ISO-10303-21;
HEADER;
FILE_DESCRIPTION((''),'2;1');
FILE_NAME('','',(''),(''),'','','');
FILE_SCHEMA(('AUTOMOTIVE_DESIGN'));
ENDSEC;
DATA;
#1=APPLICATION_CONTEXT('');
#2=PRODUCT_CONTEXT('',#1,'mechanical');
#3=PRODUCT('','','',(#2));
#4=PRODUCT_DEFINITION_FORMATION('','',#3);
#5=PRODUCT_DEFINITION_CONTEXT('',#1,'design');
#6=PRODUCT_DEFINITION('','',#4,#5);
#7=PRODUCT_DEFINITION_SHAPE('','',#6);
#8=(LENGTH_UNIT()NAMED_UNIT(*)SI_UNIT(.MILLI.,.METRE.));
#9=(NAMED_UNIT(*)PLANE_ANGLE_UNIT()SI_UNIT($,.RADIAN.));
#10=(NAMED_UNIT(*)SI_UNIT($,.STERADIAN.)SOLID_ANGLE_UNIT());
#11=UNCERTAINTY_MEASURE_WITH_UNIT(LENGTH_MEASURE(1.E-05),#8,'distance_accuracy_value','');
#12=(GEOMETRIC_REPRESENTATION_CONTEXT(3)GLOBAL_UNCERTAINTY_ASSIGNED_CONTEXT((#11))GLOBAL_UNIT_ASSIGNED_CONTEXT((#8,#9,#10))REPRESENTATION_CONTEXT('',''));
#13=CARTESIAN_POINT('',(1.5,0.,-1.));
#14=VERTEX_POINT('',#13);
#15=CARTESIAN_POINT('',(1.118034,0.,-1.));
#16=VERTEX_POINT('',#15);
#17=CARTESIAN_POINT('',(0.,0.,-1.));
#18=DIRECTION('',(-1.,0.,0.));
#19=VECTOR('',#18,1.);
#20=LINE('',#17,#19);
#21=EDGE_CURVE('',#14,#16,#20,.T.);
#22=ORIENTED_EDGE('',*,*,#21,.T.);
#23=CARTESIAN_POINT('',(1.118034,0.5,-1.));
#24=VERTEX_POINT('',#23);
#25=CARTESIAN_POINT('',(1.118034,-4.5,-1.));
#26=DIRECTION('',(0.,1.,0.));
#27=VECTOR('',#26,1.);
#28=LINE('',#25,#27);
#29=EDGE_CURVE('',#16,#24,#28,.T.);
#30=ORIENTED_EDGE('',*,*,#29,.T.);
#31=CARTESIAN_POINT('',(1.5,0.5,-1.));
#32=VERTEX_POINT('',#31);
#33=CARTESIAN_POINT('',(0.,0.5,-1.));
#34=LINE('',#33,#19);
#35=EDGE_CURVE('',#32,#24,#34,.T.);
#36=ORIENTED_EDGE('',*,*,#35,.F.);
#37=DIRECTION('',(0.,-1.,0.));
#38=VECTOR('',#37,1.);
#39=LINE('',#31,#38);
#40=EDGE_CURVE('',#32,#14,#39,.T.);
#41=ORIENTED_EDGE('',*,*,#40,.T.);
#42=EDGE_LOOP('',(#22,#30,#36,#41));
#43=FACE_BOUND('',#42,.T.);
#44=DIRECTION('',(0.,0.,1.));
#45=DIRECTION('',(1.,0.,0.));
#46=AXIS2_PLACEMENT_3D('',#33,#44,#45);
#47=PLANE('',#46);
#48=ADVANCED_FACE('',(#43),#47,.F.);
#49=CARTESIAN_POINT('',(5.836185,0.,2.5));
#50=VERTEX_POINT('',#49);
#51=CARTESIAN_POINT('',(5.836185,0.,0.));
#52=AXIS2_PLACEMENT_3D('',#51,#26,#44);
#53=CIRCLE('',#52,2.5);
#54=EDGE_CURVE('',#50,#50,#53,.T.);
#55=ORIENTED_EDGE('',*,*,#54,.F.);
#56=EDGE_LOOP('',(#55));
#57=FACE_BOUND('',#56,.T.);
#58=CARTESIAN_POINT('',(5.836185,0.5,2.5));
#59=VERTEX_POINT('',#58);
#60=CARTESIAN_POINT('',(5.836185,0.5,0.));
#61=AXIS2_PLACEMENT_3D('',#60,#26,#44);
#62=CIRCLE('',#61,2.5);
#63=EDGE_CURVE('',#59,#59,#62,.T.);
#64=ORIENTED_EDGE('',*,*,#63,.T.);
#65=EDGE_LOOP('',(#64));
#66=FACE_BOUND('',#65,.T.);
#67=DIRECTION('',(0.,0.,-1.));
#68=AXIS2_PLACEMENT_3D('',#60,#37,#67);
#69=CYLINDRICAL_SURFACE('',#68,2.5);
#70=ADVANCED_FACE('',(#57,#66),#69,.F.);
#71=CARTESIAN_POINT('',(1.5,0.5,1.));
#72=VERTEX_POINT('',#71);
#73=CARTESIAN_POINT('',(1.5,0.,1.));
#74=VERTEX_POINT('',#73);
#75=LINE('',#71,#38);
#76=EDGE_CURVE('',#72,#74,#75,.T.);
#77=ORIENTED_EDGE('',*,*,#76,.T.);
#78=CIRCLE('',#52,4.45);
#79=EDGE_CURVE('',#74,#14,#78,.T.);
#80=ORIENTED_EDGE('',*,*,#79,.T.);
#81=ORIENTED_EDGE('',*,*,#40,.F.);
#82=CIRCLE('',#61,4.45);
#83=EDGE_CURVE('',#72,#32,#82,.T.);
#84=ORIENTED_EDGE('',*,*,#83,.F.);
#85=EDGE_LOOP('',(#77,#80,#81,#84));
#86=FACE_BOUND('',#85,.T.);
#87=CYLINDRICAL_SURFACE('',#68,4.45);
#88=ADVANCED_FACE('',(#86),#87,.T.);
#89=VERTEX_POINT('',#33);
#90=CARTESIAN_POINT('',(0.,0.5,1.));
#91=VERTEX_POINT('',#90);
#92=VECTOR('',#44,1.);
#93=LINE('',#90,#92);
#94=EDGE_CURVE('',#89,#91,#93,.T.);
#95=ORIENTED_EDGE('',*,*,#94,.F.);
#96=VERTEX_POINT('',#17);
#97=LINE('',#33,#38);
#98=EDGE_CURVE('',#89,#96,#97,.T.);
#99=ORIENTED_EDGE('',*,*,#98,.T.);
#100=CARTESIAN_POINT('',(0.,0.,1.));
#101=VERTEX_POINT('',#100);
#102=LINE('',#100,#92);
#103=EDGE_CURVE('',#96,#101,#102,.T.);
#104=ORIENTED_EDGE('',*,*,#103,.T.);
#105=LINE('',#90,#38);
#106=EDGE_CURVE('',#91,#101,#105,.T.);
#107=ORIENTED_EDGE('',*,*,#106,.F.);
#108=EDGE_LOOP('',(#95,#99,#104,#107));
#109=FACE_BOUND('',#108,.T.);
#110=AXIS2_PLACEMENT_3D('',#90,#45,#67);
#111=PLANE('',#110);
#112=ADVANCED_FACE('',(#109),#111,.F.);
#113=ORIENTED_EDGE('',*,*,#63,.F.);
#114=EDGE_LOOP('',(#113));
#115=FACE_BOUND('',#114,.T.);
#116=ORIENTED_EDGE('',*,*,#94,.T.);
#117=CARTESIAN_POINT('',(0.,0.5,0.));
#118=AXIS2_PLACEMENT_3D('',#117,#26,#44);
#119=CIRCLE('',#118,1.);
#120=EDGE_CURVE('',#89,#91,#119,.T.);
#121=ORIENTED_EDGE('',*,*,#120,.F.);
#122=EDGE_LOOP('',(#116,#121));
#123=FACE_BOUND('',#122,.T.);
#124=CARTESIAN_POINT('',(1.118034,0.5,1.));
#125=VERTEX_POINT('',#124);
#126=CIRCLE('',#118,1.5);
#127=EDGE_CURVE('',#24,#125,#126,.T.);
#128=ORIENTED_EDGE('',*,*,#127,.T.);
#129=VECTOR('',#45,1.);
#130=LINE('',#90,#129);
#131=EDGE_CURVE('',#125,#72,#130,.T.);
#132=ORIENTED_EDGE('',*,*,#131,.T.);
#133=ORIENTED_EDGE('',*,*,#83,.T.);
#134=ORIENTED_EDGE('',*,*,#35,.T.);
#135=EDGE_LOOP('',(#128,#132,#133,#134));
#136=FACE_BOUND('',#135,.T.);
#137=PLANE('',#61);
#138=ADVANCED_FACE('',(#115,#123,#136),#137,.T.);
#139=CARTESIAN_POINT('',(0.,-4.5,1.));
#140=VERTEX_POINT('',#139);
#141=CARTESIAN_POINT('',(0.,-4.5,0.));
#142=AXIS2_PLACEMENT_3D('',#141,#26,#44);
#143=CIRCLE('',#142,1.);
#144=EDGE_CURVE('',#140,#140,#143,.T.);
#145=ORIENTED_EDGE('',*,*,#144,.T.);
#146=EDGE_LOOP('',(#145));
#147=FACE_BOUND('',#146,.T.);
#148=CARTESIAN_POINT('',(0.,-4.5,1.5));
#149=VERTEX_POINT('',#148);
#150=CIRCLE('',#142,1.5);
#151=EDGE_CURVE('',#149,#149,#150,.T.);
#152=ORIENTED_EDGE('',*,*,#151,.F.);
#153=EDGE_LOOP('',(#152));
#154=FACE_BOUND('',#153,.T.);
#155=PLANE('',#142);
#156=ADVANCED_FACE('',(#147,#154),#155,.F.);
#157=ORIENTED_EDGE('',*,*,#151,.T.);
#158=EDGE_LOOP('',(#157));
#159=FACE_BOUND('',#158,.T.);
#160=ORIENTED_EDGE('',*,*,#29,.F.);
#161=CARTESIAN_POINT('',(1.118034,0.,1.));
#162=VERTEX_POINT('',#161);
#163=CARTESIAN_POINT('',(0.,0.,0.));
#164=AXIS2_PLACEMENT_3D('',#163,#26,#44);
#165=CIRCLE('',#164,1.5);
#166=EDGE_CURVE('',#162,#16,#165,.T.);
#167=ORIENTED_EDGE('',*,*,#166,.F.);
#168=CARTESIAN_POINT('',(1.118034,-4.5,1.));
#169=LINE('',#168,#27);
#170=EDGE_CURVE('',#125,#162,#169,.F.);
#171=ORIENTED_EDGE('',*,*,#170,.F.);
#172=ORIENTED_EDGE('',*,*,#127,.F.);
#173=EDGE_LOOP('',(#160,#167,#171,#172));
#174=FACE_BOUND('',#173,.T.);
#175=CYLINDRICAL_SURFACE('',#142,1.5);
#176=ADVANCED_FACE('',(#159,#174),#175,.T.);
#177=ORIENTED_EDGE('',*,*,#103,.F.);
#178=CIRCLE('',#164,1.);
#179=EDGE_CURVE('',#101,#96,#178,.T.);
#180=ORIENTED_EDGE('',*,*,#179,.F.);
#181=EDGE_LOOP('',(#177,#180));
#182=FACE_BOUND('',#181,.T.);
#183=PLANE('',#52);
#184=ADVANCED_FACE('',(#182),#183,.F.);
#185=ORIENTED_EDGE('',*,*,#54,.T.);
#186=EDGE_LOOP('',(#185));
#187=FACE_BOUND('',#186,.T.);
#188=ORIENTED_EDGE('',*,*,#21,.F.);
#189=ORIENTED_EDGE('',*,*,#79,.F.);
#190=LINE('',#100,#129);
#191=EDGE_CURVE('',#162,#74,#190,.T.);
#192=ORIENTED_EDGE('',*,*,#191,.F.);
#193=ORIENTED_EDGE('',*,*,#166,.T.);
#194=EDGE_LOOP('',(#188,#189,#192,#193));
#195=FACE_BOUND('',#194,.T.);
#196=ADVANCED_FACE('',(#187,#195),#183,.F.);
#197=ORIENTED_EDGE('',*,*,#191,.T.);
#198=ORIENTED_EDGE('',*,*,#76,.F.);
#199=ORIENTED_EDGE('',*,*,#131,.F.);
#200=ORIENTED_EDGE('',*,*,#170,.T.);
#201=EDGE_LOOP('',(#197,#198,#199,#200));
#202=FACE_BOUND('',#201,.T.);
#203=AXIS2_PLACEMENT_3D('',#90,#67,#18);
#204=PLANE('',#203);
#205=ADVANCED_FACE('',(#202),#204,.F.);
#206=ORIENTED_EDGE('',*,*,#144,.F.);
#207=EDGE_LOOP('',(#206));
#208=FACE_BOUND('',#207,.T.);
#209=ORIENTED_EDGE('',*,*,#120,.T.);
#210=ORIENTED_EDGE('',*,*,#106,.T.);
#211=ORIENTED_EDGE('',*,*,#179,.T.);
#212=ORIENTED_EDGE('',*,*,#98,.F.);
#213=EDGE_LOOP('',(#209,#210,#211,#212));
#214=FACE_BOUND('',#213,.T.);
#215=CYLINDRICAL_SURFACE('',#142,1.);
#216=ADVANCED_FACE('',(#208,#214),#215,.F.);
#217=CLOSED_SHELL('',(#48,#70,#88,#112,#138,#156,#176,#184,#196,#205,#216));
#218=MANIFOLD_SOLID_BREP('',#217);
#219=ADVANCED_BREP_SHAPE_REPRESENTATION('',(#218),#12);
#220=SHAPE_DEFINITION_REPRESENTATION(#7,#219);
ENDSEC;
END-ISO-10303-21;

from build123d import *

# Parameters (mm, degrees)
SKETCH1_R           = 2.5
BOSS_EXTRUDE1_DEPTH = 0.5
SKETCH2_R           = 1.5
SKETCH2_R_2         = 1
BOSS_EXTRUDE2_DEPTH = 5


with BuildPart() as part:
    # Sketch1 → Boss-Extrude1 (new body)
    with BuildSketch(Plane(origin=(0, 0, 0), x_dir=(1, 0, 0), z_dir=(0, 1, 0))):
        with BuildLine():
            Line((0, -1), (0, 1))
            Line((0, 1), (1.5, 1))
            ThreePointArc((1.5, 1), (10.286184959, 0), (1.5, -1))
            Line((1.5, -1), (0, -1))
        make_face()
        with Locations((5.836184959, 0)):
            Circle(SKETCH1_R, mode=Mode.SUBTRACT)
    extrude(amount=BOSS_EXTRUDE1_DEPTH)

    # Sketch2 → Boss-Extrude2 (add)
    with BuildSketch(Plane(origin=(0.5, 0.5, 0), x_dir=(0, 0, -1), z_dir=(0, 1, 0))):
        with Locations((0, 0.5)):
            Circle(SKETCH2_R)
        with Locations((0, 0.5)):
            Circle(SKETCH2_R_2, mode=Mode.SUBTRACT)
    extrude(amount=-BOSS_EXTRUDE2_DEPTH)


solid = part.part
